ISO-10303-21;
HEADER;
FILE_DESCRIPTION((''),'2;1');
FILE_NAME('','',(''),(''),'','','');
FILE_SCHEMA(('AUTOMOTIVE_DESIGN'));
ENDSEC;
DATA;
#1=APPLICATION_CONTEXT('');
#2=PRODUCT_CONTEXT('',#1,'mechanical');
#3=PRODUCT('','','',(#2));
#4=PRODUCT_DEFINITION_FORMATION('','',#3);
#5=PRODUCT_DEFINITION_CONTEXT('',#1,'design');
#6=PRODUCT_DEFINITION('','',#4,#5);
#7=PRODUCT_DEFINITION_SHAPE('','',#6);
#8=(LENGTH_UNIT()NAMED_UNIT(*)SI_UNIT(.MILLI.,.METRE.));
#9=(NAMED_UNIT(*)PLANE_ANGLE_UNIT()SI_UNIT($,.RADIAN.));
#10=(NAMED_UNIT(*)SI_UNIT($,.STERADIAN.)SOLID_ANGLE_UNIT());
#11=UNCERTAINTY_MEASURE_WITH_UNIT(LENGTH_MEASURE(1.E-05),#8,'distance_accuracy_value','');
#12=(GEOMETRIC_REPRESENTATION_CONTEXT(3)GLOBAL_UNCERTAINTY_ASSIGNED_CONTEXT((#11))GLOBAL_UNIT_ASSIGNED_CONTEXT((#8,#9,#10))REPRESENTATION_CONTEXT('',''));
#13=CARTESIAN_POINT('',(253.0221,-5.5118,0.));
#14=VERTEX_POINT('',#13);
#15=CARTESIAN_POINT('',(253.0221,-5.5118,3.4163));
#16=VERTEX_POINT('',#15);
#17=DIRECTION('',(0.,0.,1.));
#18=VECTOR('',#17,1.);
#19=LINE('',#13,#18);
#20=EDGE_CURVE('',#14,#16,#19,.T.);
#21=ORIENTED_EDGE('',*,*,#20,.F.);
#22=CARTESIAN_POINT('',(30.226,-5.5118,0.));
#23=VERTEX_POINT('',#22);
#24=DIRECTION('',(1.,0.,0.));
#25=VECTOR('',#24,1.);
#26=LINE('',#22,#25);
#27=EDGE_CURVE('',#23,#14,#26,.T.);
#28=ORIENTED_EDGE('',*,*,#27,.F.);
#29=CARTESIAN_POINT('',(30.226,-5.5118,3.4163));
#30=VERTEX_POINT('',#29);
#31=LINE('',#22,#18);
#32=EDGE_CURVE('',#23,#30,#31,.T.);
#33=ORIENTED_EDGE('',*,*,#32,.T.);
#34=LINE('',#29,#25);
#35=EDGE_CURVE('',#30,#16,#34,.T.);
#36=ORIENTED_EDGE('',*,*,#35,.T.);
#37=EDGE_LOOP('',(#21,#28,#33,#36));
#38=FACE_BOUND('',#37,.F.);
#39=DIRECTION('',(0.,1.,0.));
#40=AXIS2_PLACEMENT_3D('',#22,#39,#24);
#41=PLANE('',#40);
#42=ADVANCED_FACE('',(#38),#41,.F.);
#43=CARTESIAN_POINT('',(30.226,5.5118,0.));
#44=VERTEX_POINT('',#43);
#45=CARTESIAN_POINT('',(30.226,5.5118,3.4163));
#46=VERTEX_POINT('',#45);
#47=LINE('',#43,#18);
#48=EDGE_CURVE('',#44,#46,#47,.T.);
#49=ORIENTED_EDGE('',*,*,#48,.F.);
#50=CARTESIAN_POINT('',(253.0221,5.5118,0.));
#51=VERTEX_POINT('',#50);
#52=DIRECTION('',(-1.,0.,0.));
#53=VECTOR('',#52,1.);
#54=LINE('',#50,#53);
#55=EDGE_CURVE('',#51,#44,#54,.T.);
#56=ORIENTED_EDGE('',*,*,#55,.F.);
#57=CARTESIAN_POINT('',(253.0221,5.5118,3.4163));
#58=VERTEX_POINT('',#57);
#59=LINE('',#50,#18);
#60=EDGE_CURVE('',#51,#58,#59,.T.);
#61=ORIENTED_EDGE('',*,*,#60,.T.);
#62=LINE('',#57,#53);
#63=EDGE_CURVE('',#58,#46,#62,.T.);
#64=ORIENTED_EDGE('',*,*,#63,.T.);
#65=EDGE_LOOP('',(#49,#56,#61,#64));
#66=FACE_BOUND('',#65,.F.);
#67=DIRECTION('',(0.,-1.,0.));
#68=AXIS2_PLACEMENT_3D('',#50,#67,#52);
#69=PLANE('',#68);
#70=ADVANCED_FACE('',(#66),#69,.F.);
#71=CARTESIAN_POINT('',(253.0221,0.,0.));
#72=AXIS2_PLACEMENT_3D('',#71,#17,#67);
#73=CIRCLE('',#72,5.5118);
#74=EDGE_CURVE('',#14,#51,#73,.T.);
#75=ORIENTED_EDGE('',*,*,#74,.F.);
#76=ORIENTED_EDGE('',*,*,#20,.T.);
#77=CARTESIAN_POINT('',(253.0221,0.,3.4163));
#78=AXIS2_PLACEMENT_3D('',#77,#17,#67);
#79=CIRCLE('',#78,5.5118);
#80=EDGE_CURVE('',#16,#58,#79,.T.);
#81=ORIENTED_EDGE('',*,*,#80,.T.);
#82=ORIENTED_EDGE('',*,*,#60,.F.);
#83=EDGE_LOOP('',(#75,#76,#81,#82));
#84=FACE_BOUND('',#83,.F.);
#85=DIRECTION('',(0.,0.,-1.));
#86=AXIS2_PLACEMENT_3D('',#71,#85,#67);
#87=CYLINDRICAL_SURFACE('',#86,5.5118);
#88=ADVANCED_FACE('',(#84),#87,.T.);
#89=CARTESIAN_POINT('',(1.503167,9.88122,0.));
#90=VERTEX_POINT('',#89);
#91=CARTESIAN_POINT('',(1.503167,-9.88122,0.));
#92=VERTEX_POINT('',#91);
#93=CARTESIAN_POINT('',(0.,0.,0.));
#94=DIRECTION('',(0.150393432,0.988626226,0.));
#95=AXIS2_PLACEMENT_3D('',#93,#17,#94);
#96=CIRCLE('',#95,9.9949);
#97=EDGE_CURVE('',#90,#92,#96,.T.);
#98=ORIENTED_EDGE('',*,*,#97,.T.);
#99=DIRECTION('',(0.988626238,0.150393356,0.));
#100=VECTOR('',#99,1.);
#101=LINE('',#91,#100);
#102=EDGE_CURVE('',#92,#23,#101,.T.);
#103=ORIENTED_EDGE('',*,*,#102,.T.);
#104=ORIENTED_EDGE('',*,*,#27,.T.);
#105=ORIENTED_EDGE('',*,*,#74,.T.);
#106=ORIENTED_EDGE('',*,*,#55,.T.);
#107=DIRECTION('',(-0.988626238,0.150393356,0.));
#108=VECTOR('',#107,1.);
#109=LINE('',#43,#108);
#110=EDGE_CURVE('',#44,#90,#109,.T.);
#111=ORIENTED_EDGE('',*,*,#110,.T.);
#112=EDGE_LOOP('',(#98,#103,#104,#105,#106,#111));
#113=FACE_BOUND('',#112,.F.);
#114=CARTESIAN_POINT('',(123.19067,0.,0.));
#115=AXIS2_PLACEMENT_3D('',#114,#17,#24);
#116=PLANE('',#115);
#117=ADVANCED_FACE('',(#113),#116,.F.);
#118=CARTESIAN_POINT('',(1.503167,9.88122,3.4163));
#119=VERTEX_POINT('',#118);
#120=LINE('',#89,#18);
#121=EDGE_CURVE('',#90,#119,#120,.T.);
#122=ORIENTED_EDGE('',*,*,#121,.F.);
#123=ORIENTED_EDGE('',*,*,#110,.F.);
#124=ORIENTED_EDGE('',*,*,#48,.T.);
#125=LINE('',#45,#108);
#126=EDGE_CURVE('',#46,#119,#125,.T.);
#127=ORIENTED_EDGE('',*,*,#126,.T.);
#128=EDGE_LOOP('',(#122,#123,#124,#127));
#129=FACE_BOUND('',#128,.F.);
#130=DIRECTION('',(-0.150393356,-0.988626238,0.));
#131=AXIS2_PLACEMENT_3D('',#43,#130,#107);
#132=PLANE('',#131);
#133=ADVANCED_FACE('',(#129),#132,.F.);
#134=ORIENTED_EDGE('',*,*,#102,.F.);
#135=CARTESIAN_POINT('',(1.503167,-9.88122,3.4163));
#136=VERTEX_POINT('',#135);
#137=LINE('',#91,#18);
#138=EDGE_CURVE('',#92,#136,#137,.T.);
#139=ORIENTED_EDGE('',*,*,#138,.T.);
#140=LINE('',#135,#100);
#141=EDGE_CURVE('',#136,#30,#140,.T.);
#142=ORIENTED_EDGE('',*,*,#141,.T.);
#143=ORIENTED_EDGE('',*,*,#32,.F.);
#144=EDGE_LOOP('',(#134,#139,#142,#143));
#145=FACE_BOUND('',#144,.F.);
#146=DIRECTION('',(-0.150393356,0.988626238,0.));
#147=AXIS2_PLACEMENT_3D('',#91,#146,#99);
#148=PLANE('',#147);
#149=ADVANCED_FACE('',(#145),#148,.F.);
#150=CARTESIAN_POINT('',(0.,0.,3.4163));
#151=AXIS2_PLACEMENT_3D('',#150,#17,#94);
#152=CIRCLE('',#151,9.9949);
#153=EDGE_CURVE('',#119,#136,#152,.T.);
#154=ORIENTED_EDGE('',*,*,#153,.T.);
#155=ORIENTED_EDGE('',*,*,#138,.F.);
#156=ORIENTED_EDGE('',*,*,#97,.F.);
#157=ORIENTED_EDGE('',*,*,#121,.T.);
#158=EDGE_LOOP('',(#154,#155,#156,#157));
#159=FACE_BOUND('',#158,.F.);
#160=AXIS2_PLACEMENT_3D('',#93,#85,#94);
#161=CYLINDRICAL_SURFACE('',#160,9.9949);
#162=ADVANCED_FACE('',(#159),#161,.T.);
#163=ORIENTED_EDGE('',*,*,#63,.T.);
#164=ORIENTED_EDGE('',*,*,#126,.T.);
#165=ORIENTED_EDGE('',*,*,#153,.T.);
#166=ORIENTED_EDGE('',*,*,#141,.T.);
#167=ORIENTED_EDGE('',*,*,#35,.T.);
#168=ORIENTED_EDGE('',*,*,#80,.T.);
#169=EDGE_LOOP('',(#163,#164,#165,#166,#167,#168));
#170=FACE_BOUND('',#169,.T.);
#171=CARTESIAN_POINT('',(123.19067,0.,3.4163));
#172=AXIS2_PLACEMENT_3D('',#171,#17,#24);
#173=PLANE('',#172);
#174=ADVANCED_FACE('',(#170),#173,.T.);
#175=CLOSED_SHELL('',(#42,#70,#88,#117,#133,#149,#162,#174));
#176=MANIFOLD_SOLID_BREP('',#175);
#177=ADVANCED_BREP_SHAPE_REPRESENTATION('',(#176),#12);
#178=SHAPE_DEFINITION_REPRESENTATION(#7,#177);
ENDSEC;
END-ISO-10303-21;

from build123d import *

# Parameters (mm, degrees)
F1_DEPTH = 3.4163


with BuildPart() as f1:
    # F0 (on Top) → F1 (new body)
    with BuildSketch(Plane.XY):
        with BuildLine():
            Line((30.226, 5.5118), (1.503167, 9.88122))
            ThreePointArc((1.503167, 9.88122), (-9.9949, 0), (1.503167, -9.88122))
            Line((1.503167, -9.88122), (30.226, -5.5118))
            Line((30.226, -5.5118), (253.0221, -5.5118))
            ThreePointArc((253.0221, -5.5118), (258.5339, 0), (253.0221, 5.5118))
            Line((253.0221, 5.5118), (30.226, 5.5118))
        make_face()
    extrude(amount=F1_DEPTH)


solid = f1.part
